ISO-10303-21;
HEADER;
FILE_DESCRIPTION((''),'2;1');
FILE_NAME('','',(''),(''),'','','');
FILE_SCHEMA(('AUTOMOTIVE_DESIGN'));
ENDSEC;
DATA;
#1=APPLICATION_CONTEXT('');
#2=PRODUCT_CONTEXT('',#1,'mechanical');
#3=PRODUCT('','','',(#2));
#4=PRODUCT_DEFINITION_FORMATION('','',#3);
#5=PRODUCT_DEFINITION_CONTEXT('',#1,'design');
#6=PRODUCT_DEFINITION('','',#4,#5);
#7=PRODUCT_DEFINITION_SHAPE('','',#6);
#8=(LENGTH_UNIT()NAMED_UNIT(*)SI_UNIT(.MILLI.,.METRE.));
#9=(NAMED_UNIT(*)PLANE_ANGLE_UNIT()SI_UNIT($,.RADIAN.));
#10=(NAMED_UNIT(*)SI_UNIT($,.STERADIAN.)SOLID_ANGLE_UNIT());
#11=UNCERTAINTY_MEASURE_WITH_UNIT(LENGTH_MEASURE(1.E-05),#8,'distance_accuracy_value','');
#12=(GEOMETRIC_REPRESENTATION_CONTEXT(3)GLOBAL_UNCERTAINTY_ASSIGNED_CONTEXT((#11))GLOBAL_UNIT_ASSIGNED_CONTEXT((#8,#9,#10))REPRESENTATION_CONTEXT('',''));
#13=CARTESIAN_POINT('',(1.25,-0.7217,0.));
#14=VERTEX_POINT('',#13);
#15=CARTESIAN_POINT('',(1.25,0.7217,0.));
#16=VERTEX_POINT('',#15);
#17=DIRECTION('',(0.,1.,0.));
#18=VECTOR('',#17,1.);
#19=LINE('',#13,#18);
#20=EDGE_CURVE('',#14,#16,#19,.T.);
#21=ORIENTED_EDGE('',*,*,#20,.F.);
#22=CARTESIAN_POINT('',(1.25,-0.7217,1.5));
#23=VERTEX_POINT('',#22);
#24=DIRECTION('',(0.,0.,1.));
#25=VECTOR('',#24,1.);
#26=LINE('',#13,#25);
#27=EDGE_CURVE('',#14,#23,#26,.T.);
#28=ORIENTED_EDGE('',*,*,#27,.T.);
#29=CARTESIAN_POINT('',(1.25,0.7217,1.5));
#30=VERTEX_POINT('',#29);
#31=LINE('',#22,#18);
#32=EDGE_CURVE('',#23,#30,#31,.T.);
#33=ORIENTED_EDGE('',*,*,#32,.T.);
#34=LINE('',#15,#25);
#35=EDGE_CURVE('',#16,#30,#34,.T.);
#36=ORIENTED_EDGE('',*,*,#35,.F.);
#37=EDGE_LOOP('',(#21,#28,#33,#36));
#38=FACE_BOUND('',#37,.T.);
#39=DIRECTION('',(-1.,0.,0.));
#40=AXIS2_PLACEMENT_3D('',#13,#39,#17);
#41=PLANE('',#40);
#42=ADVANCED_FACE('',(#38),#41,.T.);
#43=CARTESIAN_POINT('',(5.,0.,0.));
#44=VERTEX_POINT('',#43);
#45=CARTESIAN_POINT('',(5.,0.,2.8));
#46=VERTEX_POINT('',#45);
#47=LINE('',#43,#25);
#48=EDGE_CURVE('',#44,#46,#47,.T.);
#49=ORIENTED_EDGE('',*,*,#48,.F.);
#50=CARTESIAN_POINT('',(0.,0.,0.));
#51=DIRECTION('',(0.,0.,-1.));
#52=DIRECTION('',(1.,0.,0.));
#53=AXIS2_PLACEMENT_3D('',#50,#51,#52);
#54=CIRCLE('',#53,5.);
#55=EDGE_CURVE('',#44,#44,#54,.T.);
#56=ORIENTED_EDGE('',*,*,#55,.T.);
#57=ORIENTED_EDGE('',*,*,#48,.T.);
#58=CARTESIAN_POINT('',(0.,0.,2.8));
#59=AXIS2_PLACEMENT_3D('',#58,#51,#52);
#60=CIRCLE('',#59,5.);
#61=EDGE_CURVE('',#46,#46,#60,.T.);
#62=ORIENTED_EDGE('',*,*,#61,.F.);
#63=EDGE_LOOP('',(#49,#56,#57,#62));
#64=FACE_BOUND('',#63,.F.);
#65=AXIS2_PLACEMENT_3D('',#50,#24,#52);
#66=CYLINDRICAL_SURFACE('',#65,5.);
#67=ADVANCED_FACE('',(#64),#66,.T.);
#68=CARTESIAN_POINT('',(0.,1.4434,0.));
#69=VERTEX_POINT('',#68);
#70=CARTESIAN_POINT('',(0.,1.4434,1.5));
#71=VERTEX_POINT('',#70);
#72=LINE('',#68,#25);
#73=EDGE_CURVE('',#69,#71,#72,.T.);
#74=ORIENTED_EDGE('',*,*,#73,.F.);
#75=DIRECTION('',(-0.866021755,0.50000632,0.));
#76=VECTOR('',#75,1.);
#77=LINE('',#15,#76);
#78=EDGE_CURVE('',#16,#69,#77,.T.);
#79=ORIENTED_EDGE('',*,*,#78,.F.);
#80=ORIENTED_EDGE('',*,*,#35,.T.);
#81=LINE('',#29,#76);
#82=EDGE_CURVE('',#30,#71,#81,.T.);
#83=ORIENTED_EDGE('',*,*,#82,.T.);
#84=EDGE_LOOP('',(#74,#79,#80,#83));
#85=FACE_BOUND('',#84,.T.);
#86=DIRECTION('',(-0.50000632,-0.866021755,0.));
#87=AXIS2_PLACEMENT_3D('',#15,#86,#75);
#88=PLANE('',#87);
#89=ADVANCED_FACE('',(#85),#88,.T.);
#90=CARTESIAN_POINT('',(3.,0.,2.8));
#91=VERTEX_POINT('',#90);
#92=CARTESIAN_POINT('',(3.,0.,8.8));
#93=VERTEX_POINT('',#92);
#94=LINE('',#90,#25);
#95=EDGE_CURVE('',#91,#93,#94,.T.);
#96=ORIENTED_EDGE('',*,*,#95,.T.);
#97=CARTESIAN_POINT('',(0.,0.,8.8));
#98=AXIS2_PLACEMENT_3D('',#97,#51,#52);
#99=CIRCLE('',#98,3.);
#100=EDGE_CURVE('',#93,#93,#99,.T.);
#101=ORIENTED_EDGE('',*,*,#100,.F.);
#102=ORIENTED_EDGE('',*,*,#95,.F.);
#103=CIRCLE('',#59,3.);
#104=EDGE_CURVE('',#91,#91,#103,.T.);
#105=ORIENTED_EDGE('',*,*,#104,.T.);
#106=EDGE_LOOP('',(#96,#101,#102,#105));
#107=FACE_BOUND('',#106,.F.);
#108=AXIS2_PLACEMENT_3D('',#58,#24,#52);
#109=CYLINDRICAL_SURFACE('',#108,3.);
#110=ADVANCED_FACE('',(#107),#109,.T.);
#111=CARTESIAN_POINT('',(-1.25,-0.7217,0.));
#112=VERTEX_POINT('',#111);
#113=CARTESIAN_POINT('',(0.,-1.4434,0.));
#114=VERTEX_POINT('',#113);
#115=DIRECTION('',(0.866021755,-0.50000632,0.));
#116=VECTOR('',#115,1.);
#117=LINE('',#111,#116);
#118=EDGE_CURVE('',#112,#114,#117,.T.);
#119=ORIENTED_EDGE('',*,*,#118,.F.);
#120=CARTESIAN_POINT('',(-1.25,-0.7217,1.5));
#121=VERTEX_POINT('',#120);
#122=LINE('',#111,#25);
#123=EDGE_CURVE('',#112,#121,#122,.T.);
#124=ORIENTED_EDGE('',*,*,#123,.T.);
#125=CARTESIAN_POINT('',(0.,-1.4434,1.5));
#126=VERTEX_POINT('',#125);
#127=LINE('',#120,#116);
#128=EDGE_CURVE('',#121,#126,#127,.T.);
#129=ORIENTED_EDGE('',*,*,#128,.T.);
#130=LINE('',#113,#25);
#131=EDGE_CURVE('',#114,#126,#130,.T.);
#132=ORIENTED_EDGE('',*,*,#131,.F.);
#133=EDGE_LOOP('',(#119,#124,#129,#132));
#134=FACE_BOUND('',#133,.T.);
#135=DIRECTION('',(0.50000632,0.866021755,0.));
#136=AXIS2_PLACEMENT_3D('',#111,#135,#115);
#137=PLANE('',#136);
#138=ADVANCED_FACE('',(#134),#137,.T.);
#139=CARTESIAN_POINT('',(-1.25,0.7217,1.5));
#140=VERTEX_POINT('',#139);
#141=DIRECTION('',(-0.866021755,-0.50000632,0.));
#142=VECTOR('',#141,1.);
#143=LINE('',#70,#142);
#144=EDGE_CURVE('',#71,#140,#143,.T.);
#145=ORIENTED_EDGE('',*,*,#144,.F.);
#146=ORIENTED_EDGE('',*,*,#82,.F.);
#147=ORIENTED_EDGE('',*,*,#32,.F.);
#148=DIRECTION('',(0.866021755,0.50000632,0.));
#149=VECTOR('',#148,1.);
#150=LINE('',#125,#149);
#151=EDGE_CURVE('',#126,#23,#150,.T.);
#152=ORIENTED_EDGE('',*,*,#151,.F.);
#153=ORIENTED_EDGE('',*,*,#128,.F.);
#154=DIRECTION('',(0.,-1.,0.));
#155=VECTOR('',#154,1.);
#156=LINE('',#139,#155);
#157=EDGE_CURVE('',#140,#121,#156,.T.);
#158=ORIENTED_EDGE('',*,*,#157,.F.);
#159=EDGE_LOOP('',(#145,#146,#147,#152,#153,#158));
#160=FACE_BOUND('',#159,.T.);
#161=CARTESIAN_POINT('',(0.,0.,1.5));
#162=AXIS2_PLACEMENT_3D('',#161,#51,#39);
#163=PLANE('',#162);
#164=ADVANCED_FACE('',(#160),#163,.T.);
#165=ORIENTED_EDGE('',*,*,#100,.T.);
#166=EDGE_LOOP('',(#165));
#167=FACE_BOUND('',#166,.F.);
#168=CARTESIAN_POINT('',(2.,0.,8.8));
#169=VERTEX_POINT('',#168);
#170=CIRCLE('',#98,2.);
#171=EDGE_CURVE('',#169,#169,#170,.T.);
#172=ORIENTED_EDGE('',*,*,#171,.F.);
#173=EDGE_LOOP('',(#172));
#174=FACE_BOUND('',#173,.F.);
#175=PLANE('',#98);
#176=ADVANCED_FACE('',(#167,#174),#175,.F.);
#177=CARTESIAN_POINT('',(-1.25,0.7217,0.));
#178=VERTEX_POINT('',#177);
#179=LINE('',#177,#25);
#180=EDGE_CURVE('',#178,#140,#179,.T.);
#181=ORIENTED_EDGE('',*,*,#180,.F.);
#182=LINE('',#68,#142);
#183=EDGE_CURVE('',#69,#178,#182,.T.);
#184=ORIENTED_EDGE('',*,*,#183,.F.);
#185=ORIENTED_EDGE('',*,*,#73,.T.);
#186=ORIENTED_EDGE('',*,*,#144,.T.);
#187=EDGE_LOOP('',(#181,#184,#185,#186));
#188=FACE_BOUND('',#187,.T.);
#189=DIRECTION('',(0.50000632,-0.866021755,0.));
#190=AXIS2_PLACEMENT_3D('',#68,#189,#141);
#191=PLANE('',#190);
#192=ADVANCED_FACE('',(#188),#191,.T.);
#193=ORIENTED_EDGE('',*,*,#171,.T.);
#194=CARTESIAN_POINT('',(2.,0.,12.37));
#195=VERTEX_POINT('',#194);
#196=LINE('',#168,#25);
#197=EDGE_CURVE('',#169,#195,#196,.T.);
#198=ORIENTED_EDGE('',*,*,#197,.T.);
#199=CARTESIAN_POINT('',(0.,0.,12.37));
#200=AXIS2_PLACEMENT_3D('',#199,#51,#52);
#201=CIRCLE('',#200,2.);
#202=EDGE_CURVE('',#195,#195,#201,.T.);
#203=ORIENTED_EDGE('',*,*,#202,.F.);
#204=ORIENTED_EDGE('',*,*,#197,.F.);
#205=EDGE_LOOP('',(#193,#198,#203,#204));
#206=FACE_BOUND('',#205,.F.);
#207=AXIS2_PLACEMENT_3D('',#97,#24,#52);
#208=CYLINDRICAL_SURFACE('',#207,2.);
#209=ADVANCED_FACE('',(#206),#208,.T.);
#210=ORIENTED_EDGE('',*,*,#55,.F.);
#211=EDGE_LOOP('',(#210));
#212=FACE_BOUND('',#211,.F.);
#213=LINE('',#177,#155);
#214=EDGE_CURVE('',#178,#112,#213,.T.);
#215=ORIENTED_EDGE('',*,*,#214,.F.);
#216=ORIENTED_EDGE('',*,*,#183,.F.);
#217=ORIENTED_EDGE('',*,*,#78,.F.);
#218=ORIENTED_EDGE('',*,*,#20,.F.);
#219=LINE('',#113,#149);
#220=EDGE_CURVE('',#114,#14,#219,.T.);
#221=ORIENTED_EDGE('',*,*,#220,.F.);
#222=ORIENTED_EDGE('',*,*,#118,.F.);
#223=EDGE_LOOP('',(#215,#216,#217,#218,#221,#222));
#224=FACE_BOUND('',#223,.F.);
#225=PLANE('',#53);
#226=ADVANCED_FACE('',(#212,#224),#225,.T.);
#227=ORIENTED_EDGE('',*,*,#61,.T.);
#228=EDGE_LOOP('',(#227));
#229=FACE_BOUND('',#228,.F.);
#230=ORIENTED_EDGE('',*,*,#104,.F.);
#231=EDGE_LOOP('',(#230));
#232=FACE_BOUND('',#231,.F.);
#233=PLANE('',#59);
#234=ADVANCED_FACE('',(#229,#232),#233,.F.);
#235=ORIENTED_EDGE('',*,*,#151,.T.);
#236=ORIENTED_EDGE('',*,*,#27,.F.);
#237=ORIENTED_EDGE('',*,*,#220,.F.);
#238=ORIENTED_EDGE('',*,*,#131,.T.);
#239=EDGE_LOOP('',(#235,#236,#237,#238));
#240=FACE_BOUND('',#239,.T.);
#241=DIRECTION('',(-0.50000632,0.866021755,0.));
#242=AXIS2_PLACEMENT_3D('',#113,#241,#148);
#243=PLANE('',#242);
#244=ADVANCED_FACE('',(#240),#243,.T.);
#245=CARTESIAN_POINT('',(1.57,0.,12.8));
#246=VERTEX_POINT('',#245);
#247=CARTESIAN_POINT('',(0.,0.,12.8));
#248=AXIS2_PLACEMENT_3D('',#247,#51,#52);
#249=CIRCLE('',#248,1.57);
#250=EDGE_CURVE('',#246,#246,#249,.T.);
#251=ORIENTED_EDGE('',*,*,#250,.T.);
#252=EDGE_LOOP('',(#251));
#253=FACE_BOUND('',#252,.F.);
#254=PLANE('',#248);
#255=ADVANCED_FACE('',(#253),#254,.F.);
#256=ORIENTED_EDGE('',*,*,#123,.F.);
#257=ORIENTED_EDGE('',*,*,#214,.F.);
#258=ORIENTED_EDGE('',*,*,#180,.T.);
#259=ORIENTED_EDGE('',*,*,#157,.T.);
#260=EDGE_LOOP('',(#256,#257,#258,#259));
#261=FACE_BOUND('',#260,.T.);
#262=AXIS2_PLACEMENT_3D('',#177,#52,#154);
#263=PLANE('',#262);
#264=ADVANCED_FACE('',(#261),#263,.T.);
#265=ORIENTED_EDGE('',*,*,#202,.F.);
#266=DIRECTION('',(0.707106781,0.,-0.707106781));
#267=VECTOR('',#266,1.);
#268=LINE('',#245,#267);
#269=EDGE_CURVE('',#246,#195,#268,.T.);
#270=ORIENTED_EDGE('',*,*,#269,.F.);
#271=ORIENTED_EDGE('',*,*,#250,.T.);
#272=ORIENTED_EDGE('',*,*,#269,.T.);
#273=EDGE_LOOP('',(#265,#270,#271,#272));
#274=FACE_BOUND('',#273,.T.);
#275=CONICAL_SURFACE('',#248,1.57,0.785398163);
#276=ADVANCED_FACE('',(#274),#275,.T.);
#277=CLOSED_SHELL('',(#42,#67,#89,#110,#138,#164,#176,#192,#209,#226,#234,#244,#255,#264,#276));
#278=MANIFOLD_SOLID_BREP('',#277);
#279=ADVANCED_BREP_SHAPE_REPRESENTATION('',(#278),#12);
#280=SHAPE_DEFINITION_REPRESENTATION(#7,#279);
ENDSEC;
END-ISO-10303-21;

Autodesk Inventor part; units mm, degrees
ref_plane "YZ Plane" through (0, 0, 0) normal (1, 0, 0) x (0, 1, 0)
ref_plane "XZ Plane" through (0, 0, 0) normal (0, 1, 0) x (-1, 0, 0)
ref_plane "XY Plane" through (0, 0, 0) normal (0, 0, 1) x (1, 0, 0)
sketch "スケッチ1" plane through (0, 0, 0) normal (0, 1, 0) x (-1, 0, 0)
  line L0 (0, 0) -> (-5, 0)
  line L1 (-5, 0) -> (-5, 2.8)
  line L2 (-5, 2.8) -> (-3, 2.8)
  line L3 (-3, 2.8) -> (-3, 8.8)
  line L4 (-3, 8.8) -> (-2, 8.8)
  line L5 (-2, 8.8) -> (-2, 12.37)
  line L6 (-1.57, 12.8) -> (0, 12.8)
  line L7 (0, 12.8) -> (0, 0)
  line L8 (-1.57, 12.8) -> (-2, 12.37)
  point P0 (-2, 12.8)
  dimension "d0" = 4
  dimension "d1" = 6
  dimension "d2" = 2.8
  dimension "d3" = 0.43
  dimension "d4" = 0.43
  dimension "d5" = 4
  dimension "d6" = 10
  dimension "d7" = 6
revolve "回転1" add sketch "スケッチ1" angle 360 about axis through (0, 0, 12.8) along (0, 0, -1)
thread "ねじ1" size "M4x0.7" class "6g" standard "ANSI Metric M Profile" length 7.57 offset 1.2
sketch "スケッチ2" plane through (0, 0, 0) normal (0, 0, -1) x (-1, 0, 0)
  line L0 (0, -1.4434) -> (-1.25, -0.7217)
  line L1 (-1.25, -0.7217) -> (-1.25, 0.7217)
  line L2 (-1.25, 0.7217) -> (0, 1.4434)
  line L3 (0, 1.4434) -> (1.25, 0.7217)
  line L4 (1.25, 0.7217) -> (1.25, -0.7217)
  line L5 (1.25, -0.7217) -> (0, -1.4434)
  point P0 (0, 0)
  point P1 (0, 0)
  dimension "d11" = 2.5
extrude "押し出し1" cut sketch "スケッチ2" against normal blind 1.5
equation "\"d4\" = d3"
properties part number "DBS4-6-4" material "ステンレス鋼 AISI 304"
